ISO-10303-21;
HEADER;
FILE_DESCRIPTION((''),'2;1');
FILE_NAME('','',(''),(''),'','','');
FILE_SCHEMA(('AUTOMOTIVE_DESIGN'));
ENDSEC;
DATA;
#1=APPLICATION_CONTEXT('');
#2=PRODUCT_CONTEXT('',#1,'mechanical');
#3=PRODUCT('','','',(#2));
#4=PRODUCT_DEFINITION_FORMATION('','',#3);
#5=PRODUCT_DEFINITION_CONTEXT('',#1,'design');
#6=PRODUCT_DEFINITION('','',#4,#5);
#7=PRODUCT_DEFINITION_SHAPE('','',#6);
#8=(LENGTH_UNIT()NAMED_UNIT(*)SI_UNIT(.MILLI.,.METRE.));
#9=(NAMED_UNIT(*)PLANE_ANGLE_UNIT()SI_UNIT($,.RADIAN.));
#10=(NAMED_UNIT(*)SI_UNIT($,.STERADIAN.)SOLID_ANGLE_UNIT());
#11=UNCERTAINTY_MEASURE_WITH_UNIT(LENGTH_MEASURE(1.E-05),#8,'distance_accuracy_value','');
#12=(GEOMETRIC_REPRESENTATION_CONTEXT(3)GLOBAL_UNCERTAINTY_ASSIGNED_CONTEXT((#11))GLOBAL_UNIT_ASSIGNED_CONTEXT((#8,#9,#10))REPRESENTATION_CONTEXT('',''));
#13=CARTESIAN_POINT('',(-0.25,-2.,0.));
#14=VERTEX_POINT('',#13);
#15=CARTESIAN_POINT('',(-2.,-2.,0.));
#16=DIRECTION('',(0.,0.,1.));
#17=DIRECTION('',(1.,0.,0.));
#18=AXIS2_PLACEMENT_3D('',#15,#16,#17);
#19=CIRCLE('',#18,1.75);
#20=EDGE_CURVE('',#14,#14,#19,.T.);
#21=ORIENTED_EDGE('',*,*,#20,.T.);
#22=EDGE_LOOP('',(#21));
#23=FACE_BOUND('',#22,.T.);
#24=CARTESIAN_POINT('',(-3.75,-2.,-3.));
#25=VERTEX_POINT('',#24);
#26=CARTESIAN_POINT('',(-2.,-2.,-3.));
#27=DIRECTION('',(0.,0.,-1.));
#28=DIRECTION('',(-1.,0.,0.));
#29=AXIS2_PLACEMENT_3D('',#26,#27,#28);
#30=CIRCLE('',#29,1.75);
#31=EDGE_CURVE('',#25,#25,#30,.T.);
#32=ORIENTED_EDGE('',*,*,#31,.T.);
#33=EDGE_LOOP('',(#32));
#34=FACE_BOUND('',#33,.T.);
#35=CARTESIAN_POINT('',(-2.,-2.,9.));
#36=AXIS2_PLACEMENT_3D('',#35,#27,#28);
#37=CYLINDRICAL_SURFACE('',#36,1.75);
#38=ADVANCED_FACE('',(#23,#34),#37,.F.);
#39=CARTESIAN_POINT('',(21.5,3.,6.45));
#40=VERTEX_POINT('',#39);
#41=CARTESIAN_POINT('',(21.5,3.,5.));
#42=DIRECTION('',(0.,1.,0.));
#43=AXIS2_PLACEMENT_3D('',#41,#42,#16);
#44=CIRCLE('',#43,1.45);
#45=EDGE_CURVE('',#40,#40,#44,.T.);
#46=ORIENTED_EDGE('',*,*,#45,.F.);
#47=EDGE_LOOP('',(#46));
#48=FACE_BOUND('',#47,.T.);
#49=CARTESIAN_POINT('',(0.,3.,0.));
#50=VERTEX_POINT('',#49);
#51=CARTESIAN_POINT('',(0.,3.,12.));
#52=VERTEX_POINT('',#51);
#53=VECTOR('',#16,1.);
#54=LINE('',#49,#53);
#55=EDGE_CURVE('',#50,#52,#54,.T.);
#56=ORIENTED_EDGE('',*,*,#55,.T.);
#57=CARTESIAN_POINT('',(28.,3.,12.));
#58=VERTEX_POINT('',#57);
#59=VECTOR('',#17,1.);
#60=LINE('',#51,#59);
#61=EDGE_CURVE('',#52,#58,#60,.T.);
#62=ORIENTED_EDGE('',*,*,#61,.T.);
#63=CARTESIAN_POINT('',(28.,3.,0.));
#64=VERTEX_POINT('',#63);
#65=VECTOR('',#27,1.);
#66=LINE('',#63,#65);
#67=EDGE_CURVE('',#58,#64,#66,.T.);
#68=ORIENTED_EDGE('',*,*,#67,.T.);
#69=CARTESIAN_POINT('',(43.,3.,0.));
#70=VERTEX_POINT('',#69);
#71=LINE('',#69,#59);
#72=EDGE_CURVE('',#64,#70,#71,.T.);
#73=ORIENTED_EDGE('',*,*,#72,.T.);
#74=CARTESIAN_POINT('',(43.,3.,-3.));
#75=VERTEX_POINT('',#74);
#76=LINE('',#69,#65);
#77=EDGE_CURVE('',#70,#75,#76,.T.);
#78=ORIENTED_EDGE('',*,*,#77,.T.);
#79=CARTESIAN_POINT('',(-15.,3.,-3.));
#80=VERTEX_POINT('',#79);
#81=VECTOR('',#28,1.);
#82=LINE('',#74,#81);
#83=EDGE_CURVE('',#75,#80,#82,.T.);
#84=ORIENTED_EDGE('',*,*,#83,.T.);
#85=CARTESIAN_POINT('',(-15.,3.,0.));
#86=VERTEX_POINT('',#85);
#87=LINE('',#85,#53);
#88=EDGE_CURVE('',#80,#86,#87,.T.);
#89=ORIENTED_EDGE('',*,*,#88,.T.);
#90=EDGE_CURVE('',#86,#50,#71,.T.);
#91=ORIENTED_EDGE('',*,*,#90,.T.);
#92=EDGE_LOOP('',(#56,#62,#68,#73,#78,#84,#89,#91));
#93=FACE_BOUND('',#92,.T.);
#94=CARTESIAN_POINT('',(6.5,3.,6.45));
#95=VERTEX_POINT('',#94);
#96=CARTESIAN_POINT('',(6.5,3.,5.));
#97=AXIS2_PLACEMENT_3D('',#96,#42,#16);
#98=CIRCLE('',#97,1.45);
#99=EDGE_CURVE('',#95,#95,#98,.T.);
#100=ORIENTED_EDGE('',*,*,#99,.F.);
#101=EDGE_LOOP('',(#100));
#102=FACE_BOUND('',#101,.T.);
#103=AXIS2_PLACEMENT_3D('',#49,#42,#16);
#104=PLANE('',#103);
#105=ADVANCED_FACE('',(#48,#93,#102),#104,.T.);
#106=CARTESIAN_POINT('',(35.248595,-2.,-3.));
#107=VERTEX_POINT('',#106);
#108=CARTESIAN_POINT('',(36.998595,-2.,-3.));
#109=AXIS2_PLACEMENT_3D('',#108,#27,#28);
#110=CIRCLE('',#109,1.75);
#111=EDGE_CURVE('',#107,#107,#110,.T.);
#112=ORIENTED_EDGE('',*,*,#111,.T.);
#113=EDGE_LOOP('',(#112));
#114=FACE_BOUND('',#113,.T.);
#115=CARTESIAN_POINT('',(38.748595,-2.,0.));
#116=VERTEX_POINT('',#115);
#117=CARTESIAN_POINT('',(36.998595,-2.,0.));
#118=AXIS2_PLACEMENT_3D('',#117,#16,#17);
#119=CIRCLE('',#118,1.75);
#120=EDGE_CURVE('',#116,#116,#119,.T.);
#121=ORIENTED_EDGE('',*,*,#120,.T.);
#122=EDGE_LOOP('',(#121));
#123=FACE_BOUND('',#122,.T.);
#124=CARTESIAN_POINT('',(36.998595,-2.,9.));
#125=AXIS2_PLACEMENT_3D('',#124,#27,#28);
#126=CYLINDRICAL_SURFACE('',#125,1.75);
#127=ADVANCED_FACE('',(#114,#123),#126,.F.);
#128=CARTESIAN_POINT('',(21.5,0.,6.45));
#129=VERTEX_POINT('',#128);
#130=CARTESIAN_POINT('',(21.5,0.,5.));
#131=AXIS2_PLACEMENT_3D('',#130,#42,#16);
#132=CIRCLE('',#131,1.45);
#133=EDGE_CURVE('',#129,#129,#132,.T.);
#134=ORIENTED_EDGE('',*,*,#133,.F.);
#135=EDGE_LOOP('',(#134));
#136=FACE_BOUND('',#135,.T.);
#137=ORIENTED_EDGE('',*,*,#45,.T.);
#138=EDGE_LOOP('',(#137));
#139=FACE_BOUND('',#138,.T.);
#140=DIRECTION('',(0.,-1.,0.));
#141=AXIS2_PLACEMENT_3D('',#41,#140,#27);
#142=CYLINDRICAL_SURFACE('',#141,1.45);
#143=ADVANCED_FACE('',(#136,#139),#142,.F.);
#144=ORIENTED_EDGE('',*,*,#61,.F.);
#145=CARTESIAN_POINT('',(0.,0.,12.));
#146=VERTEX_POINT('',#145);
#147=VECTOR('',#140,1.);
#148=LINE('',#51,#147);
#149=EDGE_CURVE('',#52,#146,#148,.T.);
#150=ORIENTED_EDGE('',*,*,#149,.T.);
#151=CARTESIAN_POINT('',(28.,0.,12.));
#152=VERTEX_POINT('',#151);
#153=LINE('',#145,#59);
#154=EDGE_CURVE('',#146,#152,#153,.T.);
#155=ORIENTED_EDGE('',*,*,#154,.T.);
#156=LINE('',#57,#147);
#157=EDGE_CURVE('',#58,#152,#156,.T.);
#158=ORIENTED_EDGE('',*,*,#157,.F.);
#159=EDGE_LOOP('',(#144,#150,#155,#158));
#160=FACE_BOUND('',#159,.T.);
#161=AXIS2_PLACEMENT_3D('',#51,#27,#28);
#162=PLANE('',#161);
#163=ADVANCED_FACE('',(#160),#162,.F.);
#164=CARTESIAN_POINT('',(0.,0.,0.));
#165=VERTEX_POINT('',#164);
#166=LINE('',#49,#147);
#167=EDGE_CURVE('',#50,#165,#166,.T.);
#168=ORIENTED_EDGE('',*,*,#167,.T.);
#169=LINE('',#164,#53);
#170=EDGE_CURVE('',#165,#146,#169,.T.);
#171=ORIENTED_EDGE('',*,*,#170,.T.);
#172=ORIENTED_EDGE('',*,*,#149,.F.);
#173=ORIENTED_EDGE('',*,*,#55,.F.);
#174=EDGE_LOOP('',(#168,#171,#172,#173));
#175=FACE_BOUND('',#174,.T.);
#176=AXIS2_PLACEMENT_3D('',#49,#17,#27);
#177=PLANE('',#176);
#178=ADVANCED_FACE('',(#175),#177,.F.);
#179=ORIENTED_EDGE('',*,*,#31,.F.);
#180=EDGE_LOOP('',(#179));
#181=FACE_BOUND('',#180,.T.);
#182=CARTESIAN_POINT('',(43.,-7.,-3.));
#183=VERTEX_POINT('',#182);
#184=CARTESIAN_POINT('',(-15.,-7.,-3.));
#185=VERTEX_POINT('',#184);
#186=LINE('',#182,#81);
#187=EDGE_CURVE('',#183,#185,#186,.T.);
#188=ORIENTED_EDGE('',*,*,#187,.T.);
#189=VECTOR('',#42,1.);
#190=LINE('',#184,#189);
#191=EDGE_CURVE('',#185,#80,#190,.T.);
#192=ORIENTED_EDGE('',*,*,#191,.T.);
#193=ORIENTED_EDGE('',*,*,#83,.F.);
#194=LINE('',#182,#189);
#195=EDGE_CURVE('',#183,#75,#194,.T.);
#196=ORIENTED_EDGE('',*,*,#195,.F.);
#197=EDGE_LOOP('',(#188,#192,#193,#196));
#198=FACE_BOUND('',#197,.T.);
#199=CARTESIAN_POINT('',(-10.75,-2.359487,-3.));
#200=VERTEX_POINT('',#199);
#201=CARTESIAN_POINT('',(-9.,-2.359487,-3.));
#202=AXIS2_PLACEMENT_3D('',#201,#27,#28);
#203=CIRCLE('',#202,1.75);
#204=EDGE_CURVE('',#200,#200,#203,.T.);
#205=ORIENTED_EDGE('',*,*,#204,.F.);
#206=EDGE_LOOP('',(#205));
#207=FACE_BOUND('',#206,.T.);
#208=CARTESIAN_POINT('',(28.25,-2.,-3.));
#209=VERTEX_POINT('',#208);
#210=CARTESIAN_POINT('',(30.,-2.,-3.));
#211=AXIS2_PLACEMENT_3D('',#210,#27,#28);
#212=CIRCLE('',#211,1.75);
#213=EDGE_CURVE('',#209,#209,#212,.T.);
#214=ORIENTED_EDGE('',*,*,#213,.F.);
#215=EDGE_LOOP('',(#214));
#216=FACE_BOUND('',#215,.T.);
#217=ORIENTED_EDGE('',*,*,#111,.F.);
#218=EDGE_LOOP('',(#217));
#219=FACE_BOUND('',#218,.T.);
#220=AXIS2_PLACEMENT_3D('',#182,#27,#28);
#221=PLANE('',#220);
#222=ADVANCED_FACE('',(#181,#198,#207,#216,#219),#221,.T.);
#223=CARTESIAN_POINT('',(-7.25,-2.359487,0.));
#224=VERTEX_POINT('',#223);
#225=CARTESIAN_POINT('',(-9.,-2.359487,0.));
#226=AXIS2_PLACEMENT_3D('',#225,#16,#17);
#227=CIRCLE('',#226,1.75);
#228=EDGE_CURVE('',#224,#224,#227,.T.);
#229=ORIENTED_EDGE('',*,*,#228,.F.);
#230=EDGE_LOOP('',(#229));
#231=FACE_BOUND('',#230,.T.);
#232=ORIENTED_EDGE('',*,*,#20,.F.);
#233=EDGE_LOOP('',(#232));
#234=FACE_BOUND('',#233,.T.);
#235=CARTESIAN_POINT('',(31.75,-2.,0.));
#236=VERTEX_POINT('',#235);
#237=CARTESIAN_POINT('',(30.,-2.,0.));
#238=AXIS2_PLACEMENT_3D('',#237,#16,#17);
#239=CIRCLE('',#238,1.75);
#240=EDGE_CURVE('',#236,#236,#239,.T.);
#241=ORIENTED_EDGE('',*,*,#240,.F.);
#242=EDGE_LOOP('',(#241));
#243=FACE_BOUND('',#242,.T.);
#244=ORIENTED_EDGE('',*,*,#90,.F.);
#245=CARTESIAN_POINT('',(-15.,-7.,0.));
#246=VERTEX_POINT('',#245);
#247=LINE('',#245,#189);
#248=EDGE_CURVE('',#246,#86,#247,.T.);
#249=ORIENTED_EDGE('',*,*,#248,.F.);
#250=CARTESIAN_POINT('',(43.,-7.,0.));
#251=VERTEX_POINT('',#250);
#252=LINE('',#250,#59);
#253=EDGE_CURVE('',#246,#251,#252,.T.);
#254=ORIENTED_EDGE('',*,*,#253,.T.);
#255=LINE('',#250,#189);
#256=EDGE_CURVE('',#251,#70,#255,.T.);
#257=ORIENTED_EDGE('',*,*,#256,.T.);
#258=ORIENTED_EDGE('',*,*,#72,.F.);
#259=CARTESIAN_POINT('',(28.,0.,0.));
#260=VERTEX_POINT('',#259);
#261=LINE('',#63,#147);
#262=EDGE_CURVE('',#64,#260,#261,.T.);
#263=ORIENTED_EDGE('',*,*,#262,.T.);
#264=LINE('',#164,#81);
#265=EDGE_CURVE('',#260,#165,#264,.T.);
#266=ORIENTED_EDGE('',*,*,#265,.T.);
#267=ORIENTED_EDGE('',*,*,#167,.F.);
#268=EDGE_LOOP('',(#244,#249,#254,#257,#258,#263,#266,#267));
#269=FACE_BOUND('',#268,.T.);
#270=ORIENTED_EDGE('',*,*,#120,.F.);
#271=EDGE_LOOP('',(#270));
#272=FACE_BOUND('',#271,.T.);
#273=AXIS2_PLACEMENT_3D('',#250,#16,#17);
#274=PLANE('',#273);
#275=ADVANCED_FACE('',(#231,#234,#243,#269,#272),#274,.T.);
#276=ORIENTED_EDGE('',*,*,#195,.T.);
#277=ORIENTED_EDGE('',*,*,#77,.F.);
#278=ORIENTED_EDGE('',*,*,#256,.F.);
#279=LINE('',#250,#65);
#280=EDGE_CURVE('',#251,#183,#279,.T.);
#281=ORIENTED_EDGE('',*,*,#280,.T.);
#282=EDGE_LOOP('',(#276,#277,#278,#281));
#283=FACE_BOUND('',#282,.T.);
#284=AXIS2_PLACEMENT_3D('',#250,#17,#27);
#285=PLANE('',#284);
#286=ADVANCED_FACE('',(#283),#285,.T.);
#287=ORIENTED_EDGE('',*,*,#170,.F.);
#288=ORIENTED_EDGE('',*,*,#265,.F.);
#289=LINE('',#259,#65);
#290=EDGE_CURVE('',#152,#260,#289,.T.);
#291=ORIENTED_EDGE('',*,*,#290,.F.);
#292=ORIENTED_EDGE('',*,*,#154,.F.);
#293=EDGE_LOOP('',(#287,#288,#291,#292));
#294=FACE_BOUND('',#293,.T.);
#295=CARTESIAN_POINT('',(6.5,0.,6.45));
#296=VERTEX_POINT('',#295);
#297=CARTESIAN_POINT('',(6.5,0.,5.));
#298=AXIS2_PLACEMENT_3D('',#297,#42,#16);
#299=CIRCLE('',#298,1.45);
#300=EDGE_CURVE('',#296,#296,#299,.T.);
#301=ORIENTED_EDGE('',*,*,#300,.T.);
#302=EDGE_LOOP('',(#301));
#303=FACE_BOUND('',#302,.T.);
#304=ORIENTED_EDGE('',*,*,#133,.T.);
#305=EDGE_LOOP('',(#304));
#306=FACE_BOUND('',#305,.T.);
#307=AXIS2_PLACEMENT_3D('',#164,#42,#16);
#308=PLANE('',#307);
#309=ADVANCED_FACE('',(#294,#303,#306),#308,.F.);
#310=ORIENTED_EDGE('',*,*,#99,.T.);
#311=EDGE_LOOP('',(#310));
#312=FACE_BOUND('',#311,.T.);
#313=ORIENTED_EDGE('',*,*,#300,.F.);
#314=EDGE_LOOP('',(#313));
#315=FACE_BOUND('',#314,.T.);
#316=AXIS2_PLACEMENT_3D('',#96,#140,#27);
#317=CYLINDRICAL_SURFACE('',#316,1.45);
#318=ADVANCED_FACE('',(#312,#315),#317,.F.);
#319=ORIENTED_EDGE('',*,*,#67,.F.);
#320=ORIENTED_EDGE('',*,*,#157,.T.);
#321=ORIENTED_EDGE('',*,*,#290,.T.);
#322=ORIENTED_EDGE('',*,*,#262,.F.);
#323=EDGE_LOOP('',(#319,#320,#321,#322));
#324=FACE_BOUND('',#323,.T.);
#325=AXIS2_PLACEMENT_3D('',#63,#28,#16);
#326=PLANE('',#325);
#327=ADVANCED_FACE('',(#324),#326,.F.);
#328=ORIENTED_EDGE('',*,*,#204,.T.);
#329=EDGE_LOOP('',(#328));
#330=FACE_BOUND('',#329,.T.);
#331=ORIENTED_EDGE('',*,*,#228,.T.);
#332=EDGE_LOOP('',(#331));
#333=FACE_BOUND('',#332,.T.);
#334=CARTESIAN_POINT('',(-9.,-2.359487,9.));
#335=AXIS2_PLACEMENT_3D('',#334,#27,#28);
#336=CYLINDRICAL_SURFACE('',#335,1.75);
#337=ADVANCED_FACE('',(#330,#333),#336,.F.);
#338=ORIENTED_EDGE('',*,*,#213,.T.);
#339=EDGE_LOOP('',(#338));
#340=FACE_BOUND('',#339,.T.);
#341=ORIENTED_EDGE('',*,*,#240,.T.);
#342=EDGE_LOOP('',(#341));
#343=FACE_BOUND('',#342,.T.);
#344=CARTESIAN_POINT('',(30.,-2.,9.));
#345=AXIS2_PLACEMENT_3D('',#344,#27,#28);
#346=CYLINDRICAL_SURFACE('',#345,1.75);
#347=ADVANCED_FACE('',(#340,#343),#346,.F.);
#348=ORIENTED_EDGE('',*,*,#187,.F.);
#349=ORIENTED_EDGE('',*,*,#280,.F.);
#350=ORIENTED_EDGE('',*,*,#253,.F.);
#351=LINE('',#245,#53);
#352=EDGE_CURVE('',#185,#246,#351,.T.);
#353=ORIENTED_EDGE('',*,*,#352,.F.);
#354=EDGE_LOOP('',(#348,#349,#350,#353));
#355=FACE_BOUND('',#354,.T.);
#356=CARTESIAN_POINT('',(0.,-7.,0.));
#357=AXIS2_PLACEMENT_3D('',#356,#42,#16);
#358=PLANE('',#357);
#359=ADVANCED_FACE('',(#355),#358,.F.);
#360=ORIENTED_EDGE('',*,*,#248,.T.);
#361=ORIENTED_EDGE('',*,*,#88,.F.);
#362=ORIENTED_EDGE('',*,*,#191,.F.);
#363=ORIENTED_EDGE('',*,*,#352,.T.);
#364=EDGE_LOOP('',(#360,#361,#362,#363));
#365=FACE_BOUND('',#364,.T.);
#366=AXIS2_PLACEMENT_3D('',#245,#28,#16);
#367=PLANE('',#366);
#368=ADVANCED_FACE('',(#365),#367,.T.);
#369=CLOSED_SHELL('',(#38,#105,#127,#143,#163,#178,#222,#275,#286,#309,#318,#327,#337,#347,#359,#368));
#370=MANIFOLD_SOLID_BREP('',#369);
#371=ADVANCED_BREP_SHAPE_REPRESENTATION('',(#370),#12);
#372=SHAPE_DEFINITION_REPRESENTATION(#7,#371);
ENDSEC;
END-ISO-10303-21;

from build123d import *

# Parameters (mm, degrees)
SKETCH1_W           = 28
SKETCH1_H           = 12
SKETCH1_R           = 1.45
BOSS_EXTRUDE1_DEPTH = 3
SKETCH2_W           = 58
SKETCH2_H           = 3
BOSS_EXTRUDE2_DEPTH = 10
SKETCH3_R           = 1.75
CUT_EXTRUDE1_DEPTH  = 12


with BuildPart() as part:
    # Sketch1 → Boss-Extrude1 (new body)
    with BuildSketch(Plane(origin=(0, 0, 0), x_dir=(1, 0, 0), z_dir=(0, 1, 0))):
        with Locations((14, -6)):
            Rectangle(SKETCH1_W, SKETCH1_H)
        with Locations(Location((6.5, -5, 0), (0, 0, 270))):
            Circle(SKETCH1_R, mode=Mode.SUBTRACT)
        with Locations(Location((21.5, -5, 0), (0, 0, 270))):
            Circle(SKETCH1_R, mode=Mode.SUBTRACT)
    extrude(amount=BOSS_EXTRUDE1_DEPTH)

    # Sketch2 → Boss-Extrude2 (add)
    with BuildSketch(Plane(origin=(0, 3, 0), x_dir=(1, 0, 0), z_dir=(0, 1, 0))):
        with Locations((14, 1.5)):
            Rectangle(SKETCH2_W, SKETCH2_H)
    extrude(amount=-BOSS_EXTRUDE2_DEPTH)

    # Sketch3 → Cut-Extrude1 (cut)
    with BuildSketch(Plane(origin=(0, 0, -3), x_dir=(-1, 0, 0), z_dir=(0, 0, -1))):
        with Locations((9, -2.359486917)):
            Circle(SKETCH3_R)
        with Locations((-36.998595295, -2)):
            Circle(SKETCH3_R)
        with Locations((2, -2)):
            Circle(SKETCH3_R)
        with Locations((-30, -2)):
            Circle(SKETCH3_R)
    extrude(amount=-CUT_EXTRUDE1_DEPTH, mode=Mode.SUBTRACT)


solid = part.part
